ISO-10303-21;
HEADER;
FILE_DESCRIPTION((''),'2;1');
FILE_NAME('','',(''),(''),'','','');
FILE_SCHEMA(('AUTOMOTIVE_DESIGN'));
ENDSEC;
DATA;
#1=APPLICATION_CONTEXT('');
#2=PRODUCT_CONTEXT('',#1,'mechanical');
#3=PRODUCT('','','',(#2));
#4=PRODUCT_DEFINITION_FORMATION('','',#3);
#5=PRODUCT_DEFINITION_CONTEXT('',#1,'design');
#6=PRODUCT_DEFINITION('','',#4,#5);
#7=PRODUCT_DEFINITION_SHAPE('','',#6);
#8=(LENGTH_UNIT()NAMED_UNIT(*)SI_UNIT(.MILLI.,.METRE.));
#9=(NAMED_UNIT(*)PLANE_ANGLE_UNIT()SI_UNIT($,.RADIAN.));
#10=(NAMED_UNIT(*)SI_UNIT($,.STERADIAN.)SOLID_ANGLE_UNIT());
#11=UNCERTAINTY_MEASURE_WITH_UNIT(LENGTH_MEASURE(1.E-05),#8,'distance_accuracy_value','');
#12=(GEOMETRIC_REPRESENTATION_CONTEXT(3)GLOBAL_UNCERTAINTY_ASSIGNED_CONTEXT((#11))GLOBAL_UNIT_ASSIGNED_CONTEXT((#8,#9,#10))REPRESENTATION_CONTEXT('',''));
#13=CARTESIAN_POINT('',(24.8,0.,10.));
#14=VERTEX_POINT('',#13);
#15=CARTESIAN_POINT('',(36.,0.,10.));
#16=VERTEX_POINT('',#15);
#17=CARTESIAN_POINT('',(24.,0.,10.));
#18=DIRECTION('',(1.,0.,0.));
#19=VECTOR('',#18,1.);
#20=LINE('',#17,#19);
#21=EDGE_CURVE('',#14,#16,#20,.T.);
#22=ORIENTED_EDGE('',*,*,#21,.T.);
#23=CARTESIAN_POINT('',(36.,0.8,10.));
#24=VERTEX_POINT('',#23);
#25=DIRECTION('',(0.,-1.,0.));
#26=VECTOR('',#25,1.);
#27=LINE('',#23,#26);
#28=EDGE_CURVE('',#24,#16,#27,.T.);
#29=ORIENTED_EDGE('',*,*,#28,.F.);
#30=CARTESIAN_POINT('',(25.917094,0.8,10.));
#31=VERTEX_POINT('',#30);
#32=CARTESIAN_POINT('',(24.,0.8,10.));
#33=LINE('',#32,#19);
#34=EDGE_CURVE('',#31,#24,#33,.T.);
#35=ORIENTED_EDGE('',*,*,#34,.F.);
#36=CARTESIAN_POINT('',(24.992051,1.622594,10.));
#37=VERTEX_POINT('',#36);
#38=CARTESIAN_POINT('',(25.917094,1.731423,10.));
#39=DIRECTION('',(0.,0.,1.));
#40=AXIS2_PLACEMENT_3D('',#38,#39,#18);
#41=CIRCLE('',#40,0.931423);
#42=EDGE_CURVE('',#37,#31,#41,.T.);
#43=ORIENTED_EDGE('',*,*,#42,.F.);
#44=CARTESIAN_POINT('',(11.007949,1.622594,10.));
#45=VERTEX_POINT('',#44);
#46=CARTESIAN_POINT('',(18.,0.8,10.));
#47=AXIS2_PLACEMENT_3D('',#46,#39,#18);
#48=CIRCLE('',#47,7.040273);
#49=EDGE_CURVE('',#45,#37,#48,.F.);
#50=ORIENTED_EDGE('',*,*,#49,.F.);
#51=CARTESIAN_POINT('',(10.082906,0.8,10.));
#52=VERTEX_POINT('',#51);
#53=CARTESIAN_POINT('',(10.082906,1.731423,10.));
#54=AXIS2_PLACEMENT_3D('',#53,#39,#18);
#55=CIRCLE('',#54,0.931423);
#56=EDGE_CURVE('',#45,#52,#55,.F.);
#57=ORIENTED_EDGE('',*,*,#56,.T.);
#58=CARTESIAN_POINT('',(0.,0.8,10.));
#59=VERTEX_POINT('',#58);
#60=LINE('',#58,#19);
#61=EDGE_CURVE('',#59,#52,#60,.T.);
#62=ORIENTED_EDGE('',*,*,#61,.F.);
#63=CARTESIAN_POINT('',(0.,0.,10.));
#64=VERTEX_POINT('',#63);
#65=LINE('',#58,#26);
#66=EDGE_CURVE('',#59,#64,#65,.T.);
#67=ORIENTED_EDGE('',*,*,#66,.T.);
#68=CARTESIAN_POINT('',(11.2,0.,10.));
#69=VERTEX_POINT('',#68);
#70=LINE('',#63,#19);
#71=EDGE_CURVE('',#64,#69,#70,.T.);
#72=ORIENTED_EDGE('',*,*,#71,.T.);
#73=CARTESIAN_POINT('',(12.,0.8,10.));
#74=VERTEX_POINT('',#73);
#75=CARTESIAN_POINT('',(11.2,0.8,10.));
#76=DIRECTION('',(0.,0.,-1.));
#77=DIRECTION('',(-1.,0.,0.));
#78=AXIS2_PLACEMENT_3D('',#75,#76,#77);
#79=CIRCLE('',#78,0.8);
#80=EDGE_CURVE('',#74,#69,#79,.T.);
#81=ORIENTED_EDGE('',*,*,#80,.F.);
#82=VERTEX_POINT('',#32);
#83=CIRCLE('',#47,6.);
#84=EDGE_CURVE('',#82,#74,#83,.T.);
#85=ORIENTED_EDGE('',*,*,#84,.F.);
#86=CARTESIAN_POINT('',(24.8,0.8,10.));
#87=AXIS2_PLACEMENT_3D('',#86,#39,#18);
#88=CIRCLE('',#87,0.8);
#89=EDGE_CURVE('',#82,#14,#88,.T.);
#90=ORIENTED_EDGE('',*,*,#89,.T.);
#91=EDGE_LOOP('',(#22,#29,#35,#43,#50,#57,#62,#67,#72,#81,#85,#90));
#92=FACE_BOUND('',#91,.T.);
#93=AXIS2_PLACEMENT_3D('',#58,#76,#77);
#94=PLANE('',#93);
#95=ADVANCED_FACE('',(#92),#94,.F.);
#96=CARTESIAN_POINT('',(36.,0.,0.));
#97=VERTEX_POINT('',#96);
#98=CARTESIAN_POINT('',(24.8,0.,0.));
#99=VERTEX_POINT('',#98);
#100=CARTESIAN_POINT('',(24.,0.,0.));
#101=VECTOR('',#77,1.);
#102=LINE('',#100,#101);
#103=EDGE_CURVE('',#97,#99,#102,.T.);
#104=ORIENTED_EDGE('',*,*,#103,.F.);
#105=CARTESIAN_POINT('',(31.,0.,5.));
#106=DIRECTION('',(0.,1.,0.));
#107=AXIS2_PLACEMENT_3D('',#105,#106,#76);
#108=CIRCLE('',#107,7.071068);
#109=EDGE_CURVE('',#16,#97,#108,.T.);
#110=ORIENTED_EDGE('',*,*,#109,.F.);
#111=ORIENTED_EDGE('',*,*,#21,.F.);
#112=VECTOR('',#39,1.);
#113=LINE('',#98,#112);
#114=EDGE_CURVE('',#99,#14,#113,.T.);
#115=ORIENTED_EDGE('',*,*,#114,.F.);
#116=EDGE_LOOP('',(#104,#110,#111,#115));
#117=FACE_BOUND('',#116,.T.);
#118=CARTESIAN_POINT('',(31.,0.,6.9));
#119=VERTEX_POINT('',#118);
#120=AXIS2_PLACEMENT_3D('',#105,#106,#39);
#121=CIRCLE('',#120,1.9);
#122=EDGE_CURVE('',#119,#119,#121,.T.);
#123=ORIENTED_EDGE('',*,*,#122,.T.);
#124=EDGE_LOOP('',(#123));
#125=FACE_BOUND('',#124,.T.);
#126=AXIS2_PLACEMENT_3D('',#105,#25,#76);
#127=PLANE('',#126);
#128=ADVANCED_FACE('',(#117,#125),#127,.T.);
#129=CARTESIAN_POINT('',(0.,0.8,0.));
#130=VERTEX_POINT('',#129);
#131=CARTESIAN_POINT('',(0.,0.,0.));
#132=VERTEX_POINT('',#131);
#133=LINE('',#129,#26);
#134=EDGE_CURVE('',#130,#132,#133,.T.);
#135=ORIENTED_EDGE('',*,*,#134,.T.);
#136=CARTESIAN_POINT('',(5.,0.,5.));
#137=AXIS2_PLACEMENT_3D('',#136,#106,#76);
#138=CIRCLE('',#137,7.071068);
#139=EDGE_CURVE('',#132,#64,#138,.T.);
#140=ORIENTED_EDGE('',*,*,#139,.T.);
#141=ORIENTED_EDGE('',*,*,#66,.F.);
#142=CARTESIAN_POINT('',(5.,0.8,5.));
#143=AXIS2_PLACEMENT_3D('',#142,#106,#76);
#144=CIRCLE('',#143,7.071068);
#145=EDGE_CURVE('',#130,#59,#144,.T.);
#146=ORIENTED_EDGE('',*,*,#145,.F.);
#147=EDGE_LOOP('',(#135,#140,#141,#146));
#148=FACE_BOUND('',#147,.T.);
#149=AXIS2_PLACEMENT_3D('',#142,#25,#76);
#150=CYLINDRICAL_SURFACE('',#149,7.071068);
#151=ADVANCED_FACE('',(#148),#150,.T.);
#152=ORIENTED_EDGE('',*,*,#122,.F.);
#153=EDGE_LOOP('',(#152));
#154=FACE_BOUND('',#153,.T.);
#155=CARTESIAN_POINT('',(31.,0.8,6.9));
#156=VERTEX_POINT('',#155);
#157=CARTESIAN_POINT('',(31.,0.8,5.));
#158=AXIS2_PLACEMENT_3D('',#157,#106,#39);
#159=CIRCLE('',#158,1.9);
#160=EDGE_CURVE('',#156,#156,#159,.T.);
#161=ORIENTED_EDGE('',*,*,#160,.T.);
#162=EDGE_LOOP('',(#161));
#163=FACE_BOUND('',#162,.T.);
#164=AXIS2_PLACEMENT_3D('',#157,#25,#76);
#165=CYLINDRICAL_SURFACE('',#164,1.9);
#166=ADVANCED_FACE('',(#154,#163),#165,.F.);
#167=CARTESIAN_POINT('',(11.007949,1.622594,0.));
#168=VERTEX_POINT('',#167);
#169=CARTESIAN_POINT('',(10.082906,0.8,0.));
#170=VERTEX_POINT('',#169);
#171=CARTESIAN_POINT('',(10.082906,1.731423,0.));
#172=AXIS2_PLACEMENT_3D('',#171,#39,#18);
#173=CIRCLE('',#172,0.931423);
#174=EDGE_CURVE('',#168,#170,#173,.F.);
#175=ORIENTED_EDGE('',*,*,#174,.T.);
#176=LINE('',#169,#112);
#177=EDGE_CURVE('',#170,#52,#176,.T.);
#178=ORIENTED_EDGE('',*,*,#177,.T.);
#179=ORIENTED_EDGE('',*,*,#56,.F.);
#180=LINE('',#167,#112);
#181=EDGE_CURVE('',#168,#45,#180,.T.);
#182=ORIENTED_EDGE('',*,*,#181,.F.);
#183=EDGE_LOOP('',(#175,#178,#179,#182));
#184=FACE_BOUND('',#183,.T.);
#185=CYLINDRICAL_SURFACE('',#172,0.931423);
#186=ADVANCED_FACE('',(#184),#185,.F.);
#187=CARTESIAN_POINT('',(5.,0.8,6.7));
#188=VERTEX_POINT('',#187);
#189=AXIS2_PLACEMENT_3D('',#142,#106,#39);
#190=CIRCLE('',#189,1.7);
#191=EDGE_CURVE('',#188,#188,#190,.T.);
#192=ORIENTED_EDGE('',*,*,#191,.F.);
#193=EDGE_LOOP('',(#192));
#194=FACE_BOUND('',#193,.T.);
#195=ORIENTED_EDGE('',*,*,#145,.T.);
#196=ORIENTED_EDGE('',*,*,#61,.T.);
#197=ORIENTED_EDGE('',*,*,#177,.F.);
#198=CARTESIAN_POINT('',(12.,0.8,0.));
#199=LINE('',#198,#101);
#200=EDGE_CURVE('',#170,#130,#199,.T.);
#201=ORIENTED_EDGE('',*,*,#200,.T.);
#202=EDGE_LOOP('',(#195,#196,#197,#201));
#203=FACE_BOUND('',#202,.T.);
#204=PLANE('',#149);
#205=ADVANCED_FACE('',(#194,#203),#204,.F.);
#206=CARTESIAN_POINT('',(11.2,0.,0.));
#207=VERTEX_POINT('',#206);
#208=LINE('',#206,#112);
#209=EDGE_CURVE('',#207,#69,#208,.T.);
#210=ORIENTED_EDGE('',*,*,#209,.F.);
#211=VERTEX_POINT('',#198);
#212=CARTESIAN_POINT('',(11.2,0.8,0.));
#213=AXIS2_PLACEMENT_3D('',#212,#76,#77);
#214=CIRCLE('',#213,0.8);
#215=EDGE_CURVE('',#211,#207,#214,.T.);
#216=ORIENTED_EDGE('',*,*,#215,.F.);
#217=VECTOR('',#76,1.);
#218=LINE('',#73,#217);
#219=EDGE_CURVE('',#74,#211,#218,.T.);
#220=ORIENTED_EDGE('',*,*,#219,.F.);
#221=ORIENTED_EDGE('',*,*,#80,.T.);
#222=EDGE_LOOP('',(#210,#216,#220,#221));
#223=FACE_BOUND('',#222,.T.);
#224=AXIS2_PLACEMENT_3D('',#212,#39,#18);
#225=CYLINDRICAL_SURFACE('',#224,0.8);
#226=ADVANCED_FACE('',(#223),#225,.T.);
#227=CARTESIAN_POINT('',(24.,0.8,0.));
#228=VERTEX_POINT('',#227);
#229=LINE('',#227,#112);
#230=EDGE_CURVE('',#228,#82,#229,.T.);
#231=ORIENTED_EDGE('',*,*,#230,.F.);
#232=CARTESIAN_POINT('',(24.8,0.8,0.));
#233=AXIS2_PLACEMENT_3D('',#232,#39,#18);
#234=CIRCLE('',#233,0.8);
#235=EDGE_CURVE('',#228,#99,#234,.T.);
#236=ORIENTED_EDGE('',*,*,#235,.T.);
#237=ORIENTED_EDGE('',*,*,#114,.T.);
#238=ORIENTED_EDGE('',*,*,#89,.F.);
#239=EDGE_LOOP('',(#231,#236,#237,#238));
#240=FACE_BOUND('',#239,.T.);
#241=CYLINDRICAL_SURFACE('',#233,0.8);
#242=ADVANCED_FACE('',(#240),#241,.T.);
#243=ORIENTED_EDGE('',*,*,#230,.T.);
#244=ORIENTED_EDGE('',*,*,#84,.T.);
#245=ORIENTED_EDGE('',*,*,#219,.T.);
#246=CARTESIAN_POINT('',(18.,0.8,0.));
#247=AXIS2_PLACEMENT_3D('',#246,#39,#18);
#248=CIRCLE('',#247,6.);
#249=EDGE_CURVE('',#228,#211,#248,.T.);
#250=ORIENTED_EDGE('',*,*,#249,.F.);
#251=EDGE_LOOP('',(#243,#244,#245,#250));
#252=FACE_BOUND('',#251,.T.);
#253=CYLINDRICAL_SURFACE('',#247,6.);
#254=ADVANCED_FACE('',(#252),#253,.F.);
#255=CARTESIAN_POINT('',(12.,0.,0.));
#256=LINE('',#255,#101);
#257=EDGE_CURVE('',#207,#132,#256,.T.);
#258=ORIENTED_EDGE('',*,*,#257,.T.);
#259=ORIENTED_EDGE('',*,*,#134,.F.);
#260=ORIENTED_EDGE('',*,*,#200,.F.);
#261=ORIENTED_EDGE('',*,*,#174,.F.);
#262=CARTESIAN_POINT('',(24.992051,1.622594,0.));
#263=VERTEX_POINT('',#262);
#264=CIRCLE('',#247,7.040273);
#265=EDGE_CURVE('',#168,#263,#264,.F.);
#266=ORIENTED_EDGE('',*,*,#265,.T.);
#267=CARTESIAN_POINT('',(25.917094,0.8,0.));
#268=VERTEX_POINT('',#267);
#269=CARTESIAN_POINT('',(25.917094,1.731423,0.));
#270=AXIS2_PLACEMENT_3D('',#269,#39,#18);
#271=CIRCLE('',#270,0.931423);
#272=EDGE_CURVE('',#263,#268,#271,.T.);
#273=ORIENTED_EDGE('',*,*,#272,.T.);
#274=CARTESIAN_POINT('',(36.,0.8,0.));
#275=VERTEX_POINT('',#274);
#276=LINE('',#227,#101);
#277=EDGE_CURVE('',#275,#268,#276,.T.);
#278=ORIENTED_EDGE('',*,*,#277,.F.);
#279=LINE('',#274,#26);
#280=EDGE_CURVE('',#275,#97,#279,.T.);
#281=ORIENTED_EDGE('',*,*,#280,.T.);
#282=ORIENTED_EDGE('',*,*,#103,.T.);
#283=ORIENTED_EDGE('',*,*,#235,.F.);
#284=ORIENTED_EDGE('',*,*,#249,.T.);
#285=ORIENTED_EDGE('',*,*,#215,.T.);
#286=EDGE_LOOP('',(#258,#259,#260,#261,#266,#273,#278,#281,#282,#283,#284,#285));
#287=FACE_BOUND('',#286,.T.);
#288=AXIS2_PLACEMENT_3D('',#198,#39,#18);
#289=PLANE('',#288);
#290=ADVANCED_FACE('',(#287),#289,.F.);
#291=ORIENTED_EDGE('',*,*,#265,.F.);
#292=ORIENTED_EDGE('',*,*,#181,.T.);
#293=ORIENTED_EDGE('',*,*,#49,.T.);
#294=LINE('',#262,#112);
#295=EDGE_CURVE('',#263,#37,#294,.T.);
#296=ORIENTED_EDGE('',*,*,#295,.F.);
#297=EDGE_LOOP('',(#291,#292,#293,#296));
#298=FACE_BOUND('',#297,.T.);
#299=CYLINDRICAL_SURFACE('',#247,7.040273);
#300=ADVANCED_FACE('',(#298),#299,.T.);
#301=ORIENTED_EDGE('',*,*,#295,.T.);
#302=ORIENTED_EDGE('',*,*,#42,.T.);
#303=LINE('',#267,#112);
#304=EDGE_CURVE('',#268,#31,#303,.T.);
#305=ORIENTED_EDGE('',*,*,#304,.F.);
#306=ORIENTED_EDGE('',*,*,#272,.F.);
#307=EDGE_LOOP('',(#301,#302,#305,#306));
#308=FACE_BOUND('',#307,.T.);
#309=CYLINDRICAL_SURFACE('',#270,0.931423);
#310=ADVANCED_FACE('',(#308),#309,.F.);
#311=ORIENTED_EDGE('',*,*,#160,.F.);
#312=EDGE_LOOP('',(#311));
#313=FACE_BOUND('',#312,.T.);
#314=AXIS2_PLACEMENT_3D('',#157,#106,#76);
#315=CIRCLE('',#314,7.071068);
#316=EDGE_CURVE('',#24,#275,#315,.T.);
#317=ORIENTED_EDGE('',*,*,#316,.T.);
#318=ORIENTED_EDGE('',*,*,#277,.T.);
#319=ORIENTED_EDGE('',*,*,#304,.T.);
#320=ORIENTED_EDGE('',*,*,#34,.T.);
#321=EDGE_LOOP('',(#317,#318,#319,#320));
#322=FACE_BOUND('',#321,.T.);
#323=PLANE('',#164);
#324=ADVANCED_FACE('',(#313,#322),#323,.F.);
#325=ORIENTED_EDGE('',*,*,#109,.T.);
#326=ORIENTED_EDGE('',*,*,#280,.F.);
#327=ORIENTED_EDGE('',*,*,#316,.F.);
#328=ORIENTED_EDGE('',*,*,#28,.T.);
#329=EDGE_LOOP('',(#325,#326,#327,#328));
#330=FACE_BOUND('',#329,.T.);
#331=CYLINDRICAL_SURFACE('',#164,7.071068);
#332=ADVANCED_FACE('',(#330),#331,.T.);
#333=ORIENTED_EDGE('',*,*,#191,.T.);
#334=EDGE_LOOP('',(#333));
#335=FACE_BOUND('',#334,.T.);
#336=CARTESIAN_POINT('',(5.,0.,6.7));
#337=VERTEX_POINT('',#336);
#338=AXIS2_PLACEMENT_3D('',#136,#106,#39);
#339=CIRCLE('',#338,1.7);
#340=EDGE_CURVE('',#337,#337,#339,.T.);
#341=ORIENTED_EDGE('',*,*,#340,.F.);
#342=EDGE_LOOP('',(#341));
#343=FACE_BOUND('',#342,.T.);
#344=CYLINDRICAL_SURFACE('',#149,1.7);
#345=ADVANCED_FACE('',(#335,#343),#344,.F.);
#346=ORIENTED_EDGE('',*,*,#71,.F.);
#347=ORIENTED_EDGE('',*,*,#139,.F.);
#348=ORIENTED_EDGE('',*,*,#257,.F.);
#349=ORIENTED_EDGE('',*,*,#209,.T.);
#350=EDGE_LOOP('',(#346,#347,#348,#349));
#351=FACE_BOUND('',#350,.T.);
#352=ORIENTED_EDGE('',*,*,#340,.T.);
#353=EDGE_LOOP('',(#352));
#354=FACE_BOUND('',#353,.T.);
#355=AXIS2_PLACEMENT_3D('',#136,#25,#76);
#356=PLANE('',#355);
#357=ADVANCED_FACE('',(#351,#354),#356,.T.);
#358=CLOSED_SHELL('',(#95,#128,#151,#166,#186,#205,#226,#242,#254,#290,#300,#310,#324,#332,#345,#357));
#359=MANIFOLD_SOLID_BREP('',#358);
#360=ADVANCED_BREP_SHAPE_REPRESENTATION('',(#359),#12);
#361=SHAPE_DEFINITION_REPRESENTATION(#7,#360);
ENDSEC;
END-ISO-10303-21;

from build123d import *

# Parameters (mm, degrees)
SKETCH_1_R          = 1.7
EXTRUDE_1_DEPTH     = 0.8
SKETCH_1_R_2        = 1.9
EXTRUDE_1_2_DEPTH   = 0.8
EXTRUDE_5_DEPTH     = 10
CUT_EXTRUDE_3_DEPTH = 10
CUT_EXTRUDE_4_DEPTH = 10


with BuildPart() as part:
    # 草图1 → 凸台-拉伸1 (new body)
    with BuildSketch(Plane(origin=(0, 0, 0), x_dir=(1, 0, 0), z_dir=(0, 1, 0))):
        with BuildLine():
            Line((0, -10), (12, -10))
            Line((12, -10), (12, 0))
            Line((12, 0), (0, 0))
            ThreePointArc((0, 0), (-2.071067812, -5), (0, -10))
        make_face()
        with Locations(Location((5, -5, 0), (0, 0, 270))):
            Circle(SKETCH_1_R, mode=Mode.SUBTRACT)
    extrude(amount=EXTRUDE_1_DEPTH)



with BuildPart() as body_2:
    # 草图1 → Extrude 1 2 (new body)
    with BuildSketch(Plane(origin=(0, 0, 0), x_dir=(1, 0, 0), z_dir=(0, 1, 0))):
        with BuildLine():
            Line((24, -10), (24, 0))
            Line((24, 0), (36, 0))
            ThreePointArc((36, 0), (38.071067812, -5), (36, -10))
            Line((36, -10), (24, -10))
        make_face()
        with Locations(Location((31, -5, 0), (0, 0, 270))):
            Circle(SKETCH_1_R_2, mode=Mode.SUBTRACT)
    extrude(amount=EXTRUDE_1_2_DEPTH)


with BuildPart() as part_1:
    add(part.part)

    add(body_2.part)  # 凸台-拉伸5 merges body 2
    # 草图2 → 凸台-拉伸5 (add)
    with BuildSketch(Plane.XY.offset(10)):
        with BuildLine():
            ThreePointArc((11.007949102, 1.622594223), (10.70184983, 1.035393399), (10.082905956, 0.8))
            Line((10.082905956, 0.8), (12, 0.8))
            ThreePointArc((12, 0.8), (18, 6.8), (24, 0.8))
            Line((24, 0.8), (25.917094044, 0.8))
            ThreePointArc((25.917094044, 0.8), (25.29815017, 1.035393399), (24.992050898, 1.622594223))
            ThreePointArc((24.992050898, 1.622594223), (18, 7.84027251), (11.007949102, 1.622594223))
        make_face()
    extrude(amount=-EXTRUDE_5_DEPTH)

    # 草图3 → 切除-拉伸3 (cut)
    with BuildSketch(Plane.XY.offset(10)):
        with BuildLine():
            Line((11.2, 0), (12, 0))
            Line((12, 0), (12, 0.8))
            ThreePointArc((12, 0.8), (11.765685425, 0.234314575), (11.2, 0))
        make_face()
    extrude(amount=-CUT_EXTRUDE_3_DEPTH, mode=Mode.SUBTRACT)

    # 草图4 → 切除-拉伸4 (cut)
    with BuildSketch(Plane.XY.offset(10)):
        with BuildLine():
            Line((24, 0.8), (24, 0))
            Line((24, 0), (24.8, 0))
            ThreePointArc((24.8, 0), (24.234314575, 0.234314575), (24, 0.8))
        make_face()
    extrude(amount=-CUT_EXTRUDE_4_DEPTH, mode=Mode.SUBTRACT)


solid = part_1.part
